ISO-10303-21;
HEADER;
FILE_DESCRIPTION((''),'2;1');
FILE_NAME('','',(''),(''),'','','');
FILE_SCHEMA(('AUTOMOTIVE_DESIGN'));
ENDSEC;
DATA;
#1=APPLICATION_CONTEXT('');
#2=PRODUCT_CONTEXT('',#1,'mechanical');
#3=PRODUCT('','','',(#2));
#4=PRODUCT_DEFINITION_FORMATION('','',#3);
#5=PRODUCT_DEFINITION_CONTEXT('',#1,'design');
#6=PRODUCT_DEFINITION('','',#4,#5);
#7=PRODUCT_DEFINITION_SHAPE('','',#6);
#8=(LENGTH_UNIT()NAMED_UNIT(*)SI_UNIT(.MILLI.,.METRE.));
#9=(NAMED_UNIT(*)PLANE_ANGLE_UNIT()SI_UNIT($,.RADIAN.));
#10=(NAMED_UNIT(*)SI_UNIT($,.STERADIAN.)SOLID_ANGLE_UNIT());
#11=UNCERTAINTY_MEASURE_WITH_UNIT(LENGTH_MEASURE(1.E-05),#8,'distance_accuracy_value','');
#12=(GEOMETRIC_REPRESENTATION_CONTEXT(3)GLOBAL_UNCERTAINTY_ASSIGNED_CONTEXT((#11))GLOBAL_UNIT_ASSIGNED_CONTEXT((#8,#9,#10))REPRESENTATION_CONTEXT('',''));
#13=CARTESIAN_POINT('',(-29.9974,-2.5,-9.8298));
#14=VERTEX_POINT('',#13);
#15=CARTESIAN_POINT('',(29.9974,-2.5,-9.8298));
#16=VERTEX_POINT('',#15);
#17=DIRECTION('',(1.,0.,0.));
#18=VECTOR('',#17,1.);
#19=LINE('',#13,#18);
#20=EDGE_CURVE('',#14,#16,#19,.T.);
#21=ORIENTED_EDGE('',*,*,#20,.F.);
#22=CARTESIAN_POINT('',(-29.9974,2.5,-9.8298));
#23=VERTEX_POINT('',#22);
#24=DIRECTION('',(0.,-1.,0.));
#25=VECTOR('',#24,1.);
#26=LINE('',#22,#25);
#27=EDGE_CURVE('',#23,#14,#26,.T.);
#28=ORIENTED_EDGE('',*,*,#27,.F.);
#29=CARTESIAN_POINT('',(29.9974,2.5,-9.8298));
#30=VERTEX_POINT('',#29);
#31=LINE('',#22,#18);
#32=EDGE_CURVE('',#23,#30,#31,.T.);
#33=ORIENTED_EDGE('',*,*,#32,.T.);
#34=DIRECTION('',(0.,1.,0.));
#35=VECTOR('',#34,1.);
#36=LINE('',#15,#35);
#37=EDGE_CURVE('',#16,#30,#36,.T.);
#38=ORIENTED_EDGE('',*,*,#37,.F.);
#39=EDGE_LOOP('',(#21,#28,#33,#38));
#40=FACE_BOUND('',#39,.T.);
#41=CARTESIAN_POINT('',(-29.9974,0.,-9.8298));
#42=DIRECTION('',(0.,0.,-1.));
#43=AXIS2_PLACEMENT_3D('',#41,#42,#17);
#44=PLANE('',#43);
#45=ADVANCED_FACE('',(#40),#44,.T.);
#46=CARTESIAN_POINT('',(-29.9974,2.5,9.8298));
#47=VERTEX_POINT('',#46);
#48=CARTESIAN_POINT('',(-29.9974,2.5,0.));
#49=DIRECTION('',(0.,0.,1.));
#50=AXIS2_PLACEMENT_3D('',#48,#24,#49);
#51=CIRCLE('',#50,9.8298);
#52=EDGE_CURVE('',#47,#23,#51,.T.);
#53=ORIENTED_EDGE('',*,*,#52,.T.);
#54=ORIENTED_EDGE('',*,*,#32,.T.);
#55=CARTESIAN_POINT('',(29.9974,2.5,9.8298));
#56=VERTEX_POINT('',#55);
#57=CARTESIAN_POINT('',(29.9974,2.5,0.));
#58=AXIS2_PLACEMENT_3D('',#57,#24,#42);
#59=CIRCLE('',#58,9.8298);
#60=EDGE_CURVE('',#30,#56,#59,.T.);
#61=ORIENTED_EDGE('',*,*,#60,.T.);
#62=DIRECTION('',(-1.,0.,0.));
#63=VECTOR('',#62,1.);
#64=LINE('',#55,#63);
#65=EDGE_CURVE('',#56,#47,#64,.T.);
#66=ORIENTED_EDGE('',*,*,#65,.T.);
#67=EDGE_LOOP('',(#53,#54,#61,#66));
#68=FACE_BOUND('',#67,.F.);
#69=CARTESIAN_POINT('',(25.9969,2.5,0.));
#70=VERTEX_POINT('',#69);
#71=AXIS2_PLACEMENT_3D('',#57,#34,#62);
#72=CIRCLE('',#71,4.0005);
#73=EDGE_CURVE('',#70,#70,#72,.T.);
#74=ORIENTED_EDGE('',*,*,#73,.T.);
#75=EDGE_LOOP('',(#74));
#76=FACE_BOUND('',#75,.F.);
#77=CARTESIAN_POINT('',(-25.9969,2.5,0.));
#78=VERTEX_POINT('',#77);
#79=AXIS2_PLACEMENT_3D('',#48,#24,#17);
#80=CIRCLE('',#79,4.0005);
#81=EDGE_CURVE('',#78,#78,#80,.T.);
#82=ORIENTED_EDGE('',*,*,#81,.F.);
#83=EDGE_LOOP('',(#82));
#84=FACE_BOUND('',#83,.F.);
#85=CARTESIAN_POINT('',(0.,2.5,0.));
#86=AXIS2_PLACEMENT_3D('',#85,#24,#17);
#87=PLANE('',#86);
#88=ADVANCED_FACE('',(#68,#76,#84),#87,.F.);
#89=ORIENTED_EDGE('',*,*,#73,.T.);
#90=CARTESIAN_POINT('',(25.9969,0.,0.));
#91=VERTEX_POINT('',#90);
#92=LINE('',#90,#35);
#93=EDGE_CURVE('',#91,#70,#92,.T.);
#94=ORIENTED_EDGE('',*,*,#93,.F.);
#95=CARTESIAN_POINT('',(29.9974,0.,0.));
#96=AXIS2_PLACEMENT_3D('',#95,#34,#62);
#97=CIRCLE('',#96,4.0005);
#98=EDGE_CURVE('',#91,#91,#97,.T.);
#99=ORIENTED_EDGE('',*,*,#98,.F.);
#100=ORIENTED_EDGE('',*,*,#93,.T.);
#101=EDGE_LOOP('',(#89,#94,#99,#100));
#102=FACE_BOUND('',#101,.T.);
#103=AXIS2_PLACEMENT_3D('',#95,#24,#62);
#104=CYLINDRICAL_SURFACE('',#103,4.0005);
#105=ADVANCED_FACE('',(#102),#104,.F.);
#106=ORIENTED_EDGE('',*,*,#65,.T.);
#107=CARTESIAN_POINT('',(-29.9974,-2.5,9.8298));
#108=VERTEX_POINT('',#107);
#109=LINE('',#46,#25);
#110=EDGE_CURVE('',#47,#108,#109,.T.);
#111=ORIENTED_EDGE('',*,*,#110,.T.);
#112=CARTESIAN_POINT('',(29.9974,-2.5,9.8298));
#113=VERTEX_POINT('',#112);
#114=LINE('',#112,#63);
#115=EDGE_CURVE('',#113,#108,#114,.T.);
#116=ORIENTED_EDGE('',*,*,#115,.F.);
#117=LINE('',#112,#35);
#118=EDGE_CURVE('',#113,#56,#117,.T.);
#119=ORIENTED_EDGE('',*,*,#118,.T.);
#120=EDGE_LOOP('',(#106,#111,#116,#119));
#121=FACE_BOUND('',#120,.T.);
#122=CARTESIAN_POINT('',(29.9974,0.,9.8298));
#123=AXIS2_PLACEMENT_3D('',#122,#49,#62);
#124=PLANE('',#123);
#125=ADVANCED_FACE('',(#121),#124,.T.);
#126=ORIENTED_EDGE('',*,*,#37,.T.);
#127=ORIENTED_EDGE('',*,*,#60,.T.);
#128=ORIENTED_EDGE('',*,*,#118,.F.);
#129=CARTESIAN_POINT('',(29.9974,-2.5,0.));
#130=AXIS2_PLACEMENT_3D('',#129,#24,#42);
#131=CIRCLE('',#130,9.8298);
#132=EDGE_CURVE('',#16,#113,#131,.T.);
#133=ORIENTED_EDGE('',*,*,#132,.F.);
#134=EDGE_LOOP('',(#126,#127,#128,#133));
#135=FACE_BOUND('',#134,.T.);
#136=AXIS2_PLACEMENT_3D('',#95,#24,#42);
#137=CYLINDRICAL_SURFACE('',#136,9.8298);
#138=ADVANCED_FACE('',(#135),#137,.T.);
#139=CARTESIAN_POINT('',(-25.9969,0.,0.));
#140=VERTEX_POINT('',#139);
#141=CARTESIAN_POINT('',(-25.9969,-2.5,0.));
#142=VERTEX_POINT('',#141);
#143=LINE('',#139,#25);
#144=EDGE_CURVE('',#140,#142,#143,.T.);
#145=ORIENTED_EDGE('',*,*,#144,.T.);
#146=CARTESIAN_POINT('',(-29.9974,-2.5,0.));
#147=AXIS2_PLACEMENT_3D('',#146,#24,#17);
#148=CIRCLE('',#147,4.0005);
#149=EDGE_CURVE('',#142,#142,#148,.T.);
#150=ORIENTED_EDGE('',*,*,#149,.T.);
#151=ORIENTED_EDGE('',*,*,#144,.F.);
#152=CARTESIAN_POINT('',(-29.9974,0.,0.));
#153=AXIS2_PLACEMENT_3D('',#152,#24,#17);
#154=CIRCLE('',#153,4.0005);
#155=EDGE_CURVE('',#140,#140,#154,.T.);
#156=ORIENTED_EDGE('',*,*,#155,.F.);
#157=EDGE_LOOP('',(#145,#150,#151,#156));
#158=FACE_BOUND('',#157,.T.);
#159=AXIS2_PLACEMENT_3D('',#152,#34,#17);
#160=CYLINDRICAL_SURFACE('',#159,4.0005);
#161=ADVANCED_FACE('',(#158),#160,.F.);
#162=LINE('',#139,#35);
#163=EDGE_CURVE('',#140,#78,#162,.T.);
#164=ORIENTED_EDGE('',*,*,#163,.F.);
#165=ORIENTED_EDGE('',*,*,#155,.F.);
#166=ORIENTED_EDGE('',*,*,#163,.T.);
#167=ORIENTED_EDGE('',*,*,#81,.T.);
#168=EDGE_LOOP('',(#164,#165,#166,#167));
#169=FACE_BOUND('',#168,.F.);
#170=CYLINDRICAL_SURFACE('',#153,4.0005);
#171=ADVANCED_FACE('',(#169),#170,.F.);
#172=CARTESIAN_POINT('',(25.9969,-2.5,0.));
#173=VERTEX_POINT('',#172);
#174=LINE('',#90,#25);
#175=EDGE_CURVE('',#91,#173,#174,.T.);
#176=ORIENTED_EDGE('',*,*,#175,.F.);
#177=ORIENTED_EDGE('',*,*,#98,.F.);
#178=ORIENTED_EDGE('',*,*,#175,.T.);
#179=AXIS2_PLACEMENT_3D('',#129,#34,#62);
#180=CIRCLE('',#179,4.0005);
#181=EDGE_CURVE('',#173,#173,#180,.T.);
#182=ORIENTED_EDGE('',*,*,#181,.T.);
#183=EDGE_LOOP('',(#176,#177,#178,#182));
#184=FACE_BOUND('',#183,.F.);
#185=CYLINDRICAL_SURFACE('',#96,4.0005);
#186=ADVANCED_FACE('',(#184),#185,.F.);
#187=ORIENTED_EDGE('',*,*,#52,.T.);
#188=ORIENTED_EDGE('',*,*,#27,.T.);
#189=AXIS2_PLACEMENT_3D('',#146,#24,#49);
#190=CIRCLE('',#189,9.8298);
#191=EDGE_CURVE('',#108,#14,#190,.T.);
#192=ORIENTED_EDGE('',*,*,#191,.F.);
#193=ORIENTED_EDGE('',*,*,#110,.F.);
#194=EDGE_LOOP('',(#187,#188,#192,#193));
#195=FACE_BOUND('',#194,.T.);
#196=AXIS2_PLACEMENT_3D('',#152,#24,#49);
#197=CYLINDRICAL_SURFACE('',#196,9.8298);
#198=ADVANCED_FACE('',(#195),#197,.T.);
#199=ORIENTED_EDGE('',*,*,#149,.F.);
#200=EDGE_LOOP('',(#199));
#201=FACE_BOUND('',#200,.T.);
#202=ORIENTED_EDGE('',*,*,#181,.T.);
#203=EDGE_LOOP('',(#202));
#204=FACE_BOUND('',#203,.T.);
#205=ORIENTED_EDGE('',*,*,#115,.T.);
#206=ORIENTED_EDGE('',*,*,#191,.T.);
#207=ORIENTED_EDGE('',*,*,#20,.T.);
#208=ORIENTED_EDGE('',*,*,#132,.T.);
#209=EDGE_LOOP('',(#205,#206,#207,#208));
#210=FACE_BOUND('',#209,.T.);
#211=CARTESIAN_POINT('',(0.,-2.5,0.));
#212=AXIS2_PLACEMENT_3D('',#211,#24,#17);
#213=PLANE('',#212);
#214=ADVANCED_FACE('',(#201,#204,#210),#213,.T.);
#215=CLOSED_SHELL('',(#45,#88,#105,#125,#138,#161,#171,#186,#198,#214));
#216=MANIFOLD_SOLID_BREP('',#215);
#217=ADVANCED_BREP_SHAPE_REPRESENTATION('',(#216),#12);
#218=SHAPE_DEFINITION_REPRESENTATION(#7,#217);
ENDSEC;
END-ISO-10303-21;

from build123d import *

# Parameters (mm, degrees)
F0_R     = 4.0005
F1_DEPTH = 2.5


with BuildPart() as f1:
    # F0 (on Front) → F1 (new body, symmetric)
    with BuildSketch(Plane.XZ):
        with BuildLine():
            Line((29.9974, 9.8298), (0, 9.8298))
            Line((0, 9.8298), (-29.9974, 9.8298))
            ThreePointArc((-29.9974, 9.8298), (-39.8272, 0), (-29.9974, -9.8298))
            Line((-29.9974, -9.8298), (0, -9.8298))
            Line((0, -9.8298), (29.9974, -9.8298))
            ThreePointArc((29.9974, -9.8298), (39.8272, 0), (29.9974, 9.8298))
        make_face()
        with Locations((-29.9974, 0)):
            Circle(F0_R, mode=Mode.SUBTRACT)
        with BuildLine():
            ThreePointArc((33.9979, 0), (29.9974, -4.0005), (25.9969, 0))
            ThreePointArc((25.9969, 0), (29.9974, 4.0005), (33.9979, 0))
        make_face(mode=Mode.SUBTRACT)
    extrude(amount=F1_DEPTH, both=True)


solid = f1.part
